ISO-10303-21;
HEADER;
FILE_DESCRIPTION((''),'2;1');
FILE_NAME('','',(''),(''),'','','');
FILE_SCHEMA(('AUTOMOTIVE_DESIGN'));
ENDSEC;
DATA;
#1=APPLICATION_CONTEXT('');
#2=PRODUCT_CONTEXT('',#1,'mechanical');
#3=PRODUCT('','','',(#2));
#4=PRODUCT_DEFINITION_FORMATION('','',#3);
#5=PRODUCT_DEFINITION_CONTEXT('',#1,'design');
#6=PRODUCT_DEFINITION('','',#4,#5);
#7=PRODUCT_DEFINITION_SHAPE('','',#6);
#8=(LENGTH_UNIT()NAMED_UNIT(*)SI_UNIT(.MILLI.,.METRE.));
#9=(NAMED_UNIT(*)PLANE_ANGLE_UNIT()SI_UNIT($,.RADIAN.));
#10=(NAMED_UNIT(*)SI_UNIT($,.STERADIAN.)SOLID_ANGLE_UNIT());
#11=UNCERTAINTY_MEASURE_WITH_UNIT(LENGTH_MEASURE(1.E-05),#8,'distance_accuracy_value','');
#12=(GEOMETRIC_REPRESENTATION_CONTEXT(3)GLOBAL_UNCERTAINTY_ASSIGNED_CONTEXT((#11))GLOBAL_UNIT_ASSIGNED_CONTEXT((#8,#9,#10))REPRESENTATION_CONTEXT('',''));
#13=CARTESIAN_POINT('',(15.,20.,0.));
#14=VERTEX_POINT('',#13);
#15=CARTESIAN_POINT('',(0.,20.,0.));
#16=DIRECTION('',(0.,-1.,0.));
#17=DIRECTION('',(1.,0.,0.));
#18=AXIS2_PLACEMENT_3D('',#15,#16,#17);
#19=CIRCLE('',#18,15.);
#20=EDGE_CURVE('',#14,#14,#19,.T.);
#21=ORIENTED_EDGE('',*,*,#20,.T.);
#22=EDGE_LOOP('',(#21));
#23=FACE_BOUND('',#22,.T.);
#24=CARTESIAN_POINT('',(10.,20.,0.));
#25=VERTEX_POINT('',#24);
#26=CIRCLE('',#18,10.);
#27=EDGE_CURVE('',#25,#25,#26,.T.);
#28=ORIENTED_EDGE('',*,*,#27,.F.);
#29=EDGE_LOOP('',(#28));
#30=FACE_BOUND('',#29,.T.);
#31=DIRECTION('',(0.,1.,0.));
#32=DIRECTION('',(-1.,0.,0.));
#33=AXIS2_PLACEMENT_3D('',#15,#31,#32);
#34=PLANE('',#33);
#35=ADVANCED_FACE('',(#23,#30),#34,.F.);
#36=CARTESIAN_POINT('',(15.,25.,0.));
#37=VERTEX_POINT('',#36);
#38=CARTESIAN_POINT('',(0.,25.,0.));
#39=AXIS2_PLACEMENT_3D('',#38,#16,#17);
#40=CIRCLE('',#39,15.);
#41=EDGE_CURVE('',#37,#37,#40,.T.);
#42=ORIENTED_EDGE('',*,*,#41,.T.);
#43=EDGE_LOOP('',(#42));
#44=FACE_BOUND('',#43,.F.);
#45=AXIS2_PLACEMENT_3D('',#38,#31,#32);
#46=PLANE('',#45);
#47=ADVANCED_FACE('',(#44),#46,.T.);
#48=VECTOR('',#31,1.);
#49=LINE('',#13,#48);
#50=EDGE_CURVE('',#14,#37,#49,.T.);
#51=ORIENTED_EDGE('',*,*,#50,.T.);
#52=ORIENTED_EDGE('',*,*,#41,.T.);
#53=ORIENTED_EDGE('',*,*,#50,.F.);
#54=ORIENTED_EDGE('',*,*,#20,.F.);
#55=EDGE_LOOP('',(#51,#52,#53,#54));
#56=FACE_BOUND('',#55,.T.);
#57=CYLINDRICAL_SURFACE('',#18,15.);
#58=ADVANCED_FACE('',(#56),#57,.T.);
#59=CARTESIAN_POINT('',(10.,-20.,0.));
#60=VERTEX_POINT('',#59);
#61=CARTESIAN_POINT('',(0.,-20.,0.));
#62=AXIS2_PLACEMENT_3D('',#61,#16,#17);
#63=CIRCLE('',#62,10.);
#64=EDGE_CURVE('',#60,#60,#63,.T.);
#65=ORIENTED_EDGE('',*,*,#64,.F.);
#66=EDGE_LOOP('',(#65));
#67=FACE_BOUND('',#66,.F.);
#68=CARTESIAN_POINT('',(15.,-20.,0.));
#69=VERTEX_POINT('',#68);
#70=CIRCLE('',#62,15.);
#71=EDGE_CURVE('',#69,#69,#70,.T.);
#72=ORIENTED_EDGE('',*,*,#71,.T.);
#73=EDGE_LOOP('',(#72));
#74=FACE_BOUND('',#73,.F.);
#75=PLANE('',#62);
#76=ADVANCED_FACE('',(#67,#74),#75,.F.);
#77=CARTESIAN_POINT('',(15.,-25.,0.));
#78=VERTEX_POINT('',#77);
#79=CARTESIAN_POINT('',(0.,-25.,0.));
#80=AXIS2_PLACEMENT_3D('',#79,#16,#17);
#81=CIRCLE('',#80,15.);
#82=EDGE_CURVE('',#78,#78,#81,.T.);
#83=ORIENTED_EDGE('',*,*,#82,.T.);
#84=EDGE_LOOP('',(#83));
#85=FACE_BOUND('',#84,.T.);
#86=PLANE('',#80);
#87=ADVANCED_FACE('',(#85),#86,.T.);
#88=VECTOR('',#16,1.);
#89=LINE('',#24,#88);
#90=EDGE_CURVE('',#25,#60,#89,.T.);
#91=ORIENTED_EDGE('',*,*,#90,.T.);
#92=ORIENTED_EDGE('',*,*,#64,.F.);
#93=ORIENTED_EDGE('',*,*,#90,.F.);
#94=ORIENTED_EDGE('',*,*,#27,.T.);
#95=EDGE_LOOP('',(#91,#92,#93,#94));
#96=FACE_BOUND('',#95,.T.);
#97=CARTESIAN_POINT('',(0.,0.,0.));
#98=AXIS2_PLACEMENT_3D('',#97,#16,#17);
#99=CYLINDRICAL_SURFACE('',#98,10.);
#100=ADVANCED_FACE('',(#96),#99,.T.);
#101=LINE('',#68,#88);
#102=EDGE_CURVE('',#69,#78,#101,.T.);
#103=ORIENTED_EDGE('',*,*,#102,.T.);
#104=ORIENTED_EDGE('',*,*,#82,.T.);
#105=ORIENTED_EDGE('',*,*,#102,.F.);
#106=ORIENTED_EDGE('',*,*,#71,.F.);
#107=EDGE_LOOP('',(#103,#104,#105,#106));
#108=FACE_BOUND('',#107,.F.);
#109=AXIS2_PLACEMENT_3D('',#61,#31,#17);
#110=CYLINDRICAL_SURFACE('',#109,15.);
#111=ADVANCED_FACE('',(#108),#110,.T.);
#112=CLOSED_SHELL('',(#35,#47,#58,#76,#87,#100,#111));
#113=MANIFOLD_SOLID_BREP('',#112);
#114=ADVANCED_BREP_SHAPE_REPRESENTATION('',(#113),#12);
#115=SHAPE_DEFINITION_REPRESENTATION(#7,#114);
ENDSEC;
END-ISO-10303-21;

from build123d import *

# Parameters (mm, degrees)
F0_R     = 10
F1_DEPTH = 20
F2_R     = 15
F3_DEPTH = 5


with BuildPart() as f1:
    # F0 (on Front) → F1 (new body)
    with BuildSketch(Plane.XZ):
        Circle(F0_R)
    extrude(amount=F1_DEPTH)

    # F2 (on face) → F3 (join)
    with BuildSketch(Plane.XZ.offset(20)):
        Circle(F2_R)
    extrude(amount=F3_DEPTH)

    # F4: F1 across face


with BuildPart() as f1_1:
    add(f1.part)
    add(f1.part.mirror(Plane(origin=(0, 0, 0), x_dir=(1, 0, 0), z_dir=(0, 1, 0))))


solid = f1_1.part
